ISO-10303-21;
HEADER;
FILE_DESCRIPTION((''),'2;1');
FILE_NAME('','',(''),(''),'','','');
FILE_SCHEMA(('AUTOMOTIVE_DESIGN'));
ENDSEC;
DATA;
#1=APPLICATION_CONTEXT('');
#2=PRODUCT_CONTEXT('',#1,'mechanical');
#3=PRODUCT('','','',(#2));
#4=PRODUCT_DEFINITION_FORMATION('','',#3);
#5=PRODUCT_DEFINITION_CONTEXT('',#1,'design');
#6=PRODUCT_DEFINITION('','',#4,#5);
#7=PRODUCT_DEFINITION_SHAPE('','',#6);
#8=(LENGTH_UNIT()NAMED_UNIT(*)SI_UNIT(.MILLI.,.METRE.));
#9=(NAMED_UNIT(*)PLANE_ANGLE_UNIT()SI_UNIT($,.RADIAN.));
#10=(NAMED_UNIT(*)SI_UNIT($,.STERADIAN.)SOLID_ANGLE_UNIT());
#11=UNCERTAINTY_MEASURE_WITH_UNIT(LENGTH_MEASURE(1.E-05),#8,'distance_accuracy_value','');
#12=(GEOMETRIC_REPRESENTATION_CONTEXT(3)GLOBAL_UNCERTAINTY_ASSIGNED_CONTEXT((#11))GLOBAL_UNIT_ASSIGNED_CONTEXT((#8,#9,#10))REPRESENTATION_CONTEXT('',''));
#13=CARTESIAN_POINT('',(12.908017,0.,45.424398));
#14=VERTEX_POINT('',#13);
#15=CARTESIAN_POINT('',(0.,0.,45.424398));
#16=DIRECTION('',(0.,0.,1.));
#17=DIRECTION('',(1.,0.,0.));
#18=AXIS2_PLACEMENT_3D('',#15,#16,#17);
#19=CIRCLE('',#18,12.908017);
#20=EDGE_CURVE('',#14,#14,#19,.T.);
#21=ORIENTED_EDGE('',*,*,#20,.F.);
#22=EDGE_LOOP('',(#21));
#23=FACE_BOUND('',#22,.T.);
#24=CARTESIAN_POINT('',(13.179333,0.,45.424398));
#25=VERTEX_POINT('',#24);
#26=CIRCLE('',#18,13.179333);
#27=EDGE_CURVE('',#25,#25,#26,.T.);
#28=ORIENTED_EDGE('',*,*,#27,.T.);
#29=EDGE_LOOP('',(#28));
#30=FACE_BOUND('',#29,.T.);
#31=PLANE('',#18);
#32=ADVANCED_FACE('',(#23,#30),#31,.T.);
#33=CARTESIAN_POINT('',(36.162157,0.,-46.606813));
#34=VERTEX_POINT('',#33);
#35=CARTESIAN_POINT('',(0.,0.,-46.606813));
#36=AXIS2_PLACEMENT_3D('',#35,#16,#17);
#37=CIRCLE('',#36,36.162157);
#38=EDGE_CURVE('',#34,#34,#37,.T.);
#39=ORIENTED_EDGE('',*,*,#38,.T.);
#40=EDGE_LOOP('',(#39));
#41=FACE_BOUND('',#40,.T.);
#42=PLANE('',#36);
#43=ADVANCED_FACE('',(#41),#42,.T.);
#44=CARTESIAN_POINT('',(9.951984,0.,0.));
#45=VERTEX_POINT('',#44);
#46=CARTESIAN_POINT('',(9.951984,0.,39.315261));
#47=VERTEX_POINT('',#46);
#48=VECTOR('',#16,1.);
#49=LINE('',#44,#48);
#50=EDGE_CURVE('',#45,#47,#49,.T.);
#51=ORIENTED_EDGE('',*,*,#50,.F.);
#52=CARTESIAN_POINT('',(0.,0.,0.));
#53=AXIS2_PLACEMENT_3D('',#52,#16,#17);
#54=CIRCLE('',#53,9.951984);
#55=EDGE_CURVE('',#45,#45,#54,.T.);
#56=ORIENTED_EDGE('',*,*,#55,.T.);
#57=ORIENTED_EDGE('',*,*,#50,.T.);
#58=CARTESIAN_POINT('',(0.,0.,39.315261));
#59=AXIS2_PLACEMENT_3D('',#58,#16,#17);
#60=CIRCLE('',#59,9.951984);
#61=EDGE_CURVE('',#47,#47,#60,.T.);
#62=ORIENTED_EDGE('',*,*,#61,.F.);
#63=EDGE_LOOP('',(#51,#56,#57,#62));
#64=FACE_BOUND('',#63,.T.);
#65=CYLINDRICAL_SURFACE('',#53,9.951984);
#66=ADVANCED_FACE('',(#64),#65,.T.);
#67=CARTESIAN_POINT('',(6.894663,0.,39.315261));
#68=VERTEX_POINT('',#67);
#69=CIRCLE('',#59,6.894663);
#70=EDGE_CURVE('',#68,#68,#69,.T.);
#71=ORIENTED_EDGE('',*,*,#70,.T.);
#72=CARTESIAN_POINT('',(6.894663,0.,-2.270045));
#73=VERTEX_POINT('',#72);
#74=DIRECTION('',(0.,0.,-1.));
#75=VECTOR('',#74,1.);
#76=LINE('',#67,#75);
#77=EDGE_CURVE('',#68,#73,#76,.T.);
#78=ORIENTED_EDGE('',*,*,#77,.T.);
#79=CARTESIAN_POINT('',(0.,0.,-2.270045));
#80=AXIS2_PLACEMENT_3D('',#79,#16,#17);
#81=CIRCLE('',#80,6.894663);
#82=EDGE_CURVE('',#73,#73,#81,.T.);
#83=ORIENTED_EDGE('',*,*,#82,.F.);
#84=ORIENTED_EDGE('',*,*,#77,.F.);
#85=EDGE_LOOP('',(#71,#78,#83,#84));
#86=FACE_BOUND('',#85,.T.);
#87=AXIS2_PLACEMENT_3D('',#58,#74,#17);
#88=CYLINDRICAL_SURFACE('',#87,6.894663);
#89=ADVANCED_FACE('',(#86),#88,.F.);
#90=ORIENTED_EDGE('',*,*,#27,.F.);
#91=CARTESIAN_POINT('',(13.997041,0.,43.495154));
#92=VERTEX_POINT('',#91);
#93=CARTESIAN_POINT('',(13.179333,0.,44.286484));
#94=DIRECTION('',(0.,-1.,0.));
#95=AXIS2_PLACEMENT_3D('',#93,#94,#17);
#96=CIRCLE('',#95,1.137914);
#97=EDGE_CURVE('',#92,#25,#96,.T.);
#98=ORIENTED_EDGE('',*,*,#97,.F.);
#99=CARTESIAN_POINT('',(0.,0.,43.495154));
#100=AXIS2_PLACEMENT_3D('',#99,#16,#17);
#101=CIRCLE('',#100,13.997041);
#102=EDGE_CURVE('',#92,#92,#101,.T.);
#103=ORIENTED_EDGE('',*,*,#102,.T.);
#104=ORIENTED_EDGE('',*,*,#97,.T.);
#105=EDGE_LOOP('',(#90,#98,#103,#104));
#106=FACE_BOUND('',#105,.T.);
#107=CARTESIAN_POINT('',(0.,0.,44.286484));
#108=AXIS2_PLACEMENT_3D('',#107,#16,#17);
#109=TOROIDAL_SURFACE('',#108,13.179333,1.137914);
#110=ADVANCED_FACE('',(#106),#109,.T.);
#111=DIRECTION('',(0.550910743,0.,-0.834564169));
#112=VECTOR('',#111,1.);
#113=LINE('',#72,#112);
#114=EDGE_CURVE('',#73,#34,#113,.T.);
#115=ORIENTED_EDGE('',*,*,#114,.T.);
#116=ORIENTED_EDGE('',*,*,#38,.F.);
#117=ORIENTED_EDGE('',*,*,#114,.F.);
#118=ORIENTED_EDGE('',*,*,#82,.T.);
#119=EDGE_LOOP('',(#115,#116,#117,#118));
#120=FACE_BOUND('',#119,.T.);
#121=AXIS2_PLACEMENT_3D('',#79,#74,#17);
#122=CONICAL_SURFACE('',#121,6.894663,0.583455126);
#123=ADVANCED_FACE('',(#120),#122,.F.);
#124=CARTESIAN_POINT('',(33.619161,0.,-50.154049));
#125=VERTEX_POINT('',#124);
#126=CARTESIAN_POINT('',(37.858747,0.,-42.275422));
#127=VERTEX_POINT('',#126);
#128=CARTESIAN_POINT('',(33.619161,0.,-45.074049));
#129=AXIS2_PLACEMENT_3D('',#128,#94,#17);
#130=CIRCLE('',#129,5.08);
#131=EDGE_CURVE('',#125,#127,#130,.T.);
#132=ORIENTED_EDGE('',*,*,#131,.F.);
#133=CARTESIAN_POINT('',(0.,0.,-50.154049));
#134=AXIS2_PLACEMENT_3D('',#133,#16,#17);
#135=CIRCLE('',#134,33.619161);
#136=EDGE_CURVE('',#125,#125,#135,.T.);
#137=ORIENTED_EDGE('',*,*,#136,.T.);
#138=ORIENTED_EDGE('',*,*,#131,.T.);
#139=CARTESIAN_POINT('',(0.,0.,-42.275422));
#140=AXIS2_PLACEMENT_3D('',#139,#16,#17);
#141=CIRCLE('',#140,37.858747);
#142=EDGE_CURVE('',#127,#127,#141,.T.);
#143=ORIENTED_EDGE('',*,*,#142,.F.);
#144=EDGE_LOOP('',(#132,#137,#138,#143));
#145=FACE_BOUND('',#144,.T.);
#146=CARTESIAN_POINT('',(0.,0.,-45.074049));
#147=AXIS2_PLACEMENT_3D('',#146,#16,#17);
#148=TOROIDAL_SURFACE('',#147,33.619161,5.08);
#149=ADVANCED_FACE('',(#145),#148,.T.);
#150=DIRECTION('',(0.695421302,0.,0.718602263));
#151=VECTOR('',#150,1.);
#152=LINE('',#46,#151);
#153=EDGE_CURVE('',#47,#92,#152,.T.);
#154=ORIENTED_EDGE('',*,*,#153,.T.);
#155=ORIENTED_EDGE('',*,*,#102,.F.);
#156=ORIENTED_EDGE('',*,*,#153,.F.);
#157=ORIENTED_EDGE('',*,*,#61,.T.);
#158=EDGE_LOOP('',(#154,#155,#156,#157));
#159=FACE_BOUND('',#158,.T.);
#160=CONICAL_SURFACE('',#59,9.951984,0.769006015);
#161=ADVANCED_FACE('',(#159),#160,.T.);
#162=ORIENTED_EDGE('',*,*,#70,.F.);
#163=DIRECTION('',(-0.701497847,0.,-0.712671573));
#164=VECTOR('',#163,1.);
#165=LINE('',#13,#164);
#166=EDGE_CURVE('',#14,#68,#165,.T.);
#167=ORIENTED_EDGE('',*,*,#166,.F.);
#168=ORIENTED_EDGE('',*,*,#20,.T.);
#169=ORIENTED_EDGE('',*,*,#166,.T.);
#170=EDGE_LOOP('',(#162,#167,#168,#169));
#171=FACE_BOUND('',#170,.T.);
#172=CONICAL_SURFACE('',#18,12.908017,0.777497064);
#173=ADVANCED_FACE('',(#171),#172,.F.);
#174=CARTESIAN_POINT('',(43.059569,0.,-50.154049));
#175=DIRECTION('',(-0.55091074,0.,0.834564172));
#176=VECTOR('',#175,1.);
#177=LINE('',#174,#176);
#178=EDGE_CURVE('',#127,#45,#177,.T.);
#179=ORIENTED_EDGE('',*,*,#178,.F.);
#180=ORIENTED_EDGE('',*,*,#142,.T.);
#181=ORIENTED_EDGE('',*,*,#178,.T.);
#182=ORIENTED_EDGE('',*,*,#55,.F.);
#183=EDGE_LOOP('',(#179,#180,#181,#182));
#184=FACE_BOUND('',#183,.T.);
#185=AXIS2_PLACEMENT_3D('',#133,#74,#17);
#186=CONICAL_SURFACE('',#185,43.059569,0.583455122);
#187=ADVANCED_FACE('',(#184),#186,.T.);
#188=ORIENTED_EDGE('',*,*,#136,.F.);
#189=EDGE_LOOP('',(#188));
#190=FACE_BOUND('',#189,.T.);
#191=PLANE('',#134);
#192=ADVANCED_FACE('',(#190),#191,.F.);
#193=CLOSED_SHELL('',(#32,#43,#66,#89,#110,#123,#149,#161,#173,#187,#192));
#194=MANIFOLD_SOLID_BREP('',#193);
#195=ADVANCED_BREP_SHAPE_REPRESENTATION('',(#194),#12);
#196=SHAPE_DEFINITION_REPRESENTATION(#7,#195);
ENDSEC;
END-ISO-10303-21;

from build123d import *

# Parameters (mm, degrees)
F2_R = 5.08
F3_R = 1.137914


with BuildPart() as f1:
    # F0 (on Front) → F1 (revolve)
    with BuildSketch(Plane.XZ):
        Polygon((15.86405, 45.424398), (12.908017, 45.424398), (6.894663, 39.315261), (6.894663, -2.270045), (36.162157, -46.606813), (0, -46.606813), (0, -50.154049), (43.059569, -50.154049), (9.951984, 0), (9.951984, 39.315261), align=None)
    revolve(axis=Axis((0, 0, -48.380431), (0, 0, 1)))

    # F2
    f2_edges = [f1.edges().sort_by_distance(p)[0] for p in [
        (-43.059569, 0, -50.154049),
    ]]
    fillet(f2_edges, radius=F2_R)

    # F3
    f3_edges = [f1.edges().sort_by_distance(p)[0] for p in [
        (-15.86405, 0, 45.424398),
    ]]
    fillet(f3_edges, radius=F3_R)


solid = f1.part
